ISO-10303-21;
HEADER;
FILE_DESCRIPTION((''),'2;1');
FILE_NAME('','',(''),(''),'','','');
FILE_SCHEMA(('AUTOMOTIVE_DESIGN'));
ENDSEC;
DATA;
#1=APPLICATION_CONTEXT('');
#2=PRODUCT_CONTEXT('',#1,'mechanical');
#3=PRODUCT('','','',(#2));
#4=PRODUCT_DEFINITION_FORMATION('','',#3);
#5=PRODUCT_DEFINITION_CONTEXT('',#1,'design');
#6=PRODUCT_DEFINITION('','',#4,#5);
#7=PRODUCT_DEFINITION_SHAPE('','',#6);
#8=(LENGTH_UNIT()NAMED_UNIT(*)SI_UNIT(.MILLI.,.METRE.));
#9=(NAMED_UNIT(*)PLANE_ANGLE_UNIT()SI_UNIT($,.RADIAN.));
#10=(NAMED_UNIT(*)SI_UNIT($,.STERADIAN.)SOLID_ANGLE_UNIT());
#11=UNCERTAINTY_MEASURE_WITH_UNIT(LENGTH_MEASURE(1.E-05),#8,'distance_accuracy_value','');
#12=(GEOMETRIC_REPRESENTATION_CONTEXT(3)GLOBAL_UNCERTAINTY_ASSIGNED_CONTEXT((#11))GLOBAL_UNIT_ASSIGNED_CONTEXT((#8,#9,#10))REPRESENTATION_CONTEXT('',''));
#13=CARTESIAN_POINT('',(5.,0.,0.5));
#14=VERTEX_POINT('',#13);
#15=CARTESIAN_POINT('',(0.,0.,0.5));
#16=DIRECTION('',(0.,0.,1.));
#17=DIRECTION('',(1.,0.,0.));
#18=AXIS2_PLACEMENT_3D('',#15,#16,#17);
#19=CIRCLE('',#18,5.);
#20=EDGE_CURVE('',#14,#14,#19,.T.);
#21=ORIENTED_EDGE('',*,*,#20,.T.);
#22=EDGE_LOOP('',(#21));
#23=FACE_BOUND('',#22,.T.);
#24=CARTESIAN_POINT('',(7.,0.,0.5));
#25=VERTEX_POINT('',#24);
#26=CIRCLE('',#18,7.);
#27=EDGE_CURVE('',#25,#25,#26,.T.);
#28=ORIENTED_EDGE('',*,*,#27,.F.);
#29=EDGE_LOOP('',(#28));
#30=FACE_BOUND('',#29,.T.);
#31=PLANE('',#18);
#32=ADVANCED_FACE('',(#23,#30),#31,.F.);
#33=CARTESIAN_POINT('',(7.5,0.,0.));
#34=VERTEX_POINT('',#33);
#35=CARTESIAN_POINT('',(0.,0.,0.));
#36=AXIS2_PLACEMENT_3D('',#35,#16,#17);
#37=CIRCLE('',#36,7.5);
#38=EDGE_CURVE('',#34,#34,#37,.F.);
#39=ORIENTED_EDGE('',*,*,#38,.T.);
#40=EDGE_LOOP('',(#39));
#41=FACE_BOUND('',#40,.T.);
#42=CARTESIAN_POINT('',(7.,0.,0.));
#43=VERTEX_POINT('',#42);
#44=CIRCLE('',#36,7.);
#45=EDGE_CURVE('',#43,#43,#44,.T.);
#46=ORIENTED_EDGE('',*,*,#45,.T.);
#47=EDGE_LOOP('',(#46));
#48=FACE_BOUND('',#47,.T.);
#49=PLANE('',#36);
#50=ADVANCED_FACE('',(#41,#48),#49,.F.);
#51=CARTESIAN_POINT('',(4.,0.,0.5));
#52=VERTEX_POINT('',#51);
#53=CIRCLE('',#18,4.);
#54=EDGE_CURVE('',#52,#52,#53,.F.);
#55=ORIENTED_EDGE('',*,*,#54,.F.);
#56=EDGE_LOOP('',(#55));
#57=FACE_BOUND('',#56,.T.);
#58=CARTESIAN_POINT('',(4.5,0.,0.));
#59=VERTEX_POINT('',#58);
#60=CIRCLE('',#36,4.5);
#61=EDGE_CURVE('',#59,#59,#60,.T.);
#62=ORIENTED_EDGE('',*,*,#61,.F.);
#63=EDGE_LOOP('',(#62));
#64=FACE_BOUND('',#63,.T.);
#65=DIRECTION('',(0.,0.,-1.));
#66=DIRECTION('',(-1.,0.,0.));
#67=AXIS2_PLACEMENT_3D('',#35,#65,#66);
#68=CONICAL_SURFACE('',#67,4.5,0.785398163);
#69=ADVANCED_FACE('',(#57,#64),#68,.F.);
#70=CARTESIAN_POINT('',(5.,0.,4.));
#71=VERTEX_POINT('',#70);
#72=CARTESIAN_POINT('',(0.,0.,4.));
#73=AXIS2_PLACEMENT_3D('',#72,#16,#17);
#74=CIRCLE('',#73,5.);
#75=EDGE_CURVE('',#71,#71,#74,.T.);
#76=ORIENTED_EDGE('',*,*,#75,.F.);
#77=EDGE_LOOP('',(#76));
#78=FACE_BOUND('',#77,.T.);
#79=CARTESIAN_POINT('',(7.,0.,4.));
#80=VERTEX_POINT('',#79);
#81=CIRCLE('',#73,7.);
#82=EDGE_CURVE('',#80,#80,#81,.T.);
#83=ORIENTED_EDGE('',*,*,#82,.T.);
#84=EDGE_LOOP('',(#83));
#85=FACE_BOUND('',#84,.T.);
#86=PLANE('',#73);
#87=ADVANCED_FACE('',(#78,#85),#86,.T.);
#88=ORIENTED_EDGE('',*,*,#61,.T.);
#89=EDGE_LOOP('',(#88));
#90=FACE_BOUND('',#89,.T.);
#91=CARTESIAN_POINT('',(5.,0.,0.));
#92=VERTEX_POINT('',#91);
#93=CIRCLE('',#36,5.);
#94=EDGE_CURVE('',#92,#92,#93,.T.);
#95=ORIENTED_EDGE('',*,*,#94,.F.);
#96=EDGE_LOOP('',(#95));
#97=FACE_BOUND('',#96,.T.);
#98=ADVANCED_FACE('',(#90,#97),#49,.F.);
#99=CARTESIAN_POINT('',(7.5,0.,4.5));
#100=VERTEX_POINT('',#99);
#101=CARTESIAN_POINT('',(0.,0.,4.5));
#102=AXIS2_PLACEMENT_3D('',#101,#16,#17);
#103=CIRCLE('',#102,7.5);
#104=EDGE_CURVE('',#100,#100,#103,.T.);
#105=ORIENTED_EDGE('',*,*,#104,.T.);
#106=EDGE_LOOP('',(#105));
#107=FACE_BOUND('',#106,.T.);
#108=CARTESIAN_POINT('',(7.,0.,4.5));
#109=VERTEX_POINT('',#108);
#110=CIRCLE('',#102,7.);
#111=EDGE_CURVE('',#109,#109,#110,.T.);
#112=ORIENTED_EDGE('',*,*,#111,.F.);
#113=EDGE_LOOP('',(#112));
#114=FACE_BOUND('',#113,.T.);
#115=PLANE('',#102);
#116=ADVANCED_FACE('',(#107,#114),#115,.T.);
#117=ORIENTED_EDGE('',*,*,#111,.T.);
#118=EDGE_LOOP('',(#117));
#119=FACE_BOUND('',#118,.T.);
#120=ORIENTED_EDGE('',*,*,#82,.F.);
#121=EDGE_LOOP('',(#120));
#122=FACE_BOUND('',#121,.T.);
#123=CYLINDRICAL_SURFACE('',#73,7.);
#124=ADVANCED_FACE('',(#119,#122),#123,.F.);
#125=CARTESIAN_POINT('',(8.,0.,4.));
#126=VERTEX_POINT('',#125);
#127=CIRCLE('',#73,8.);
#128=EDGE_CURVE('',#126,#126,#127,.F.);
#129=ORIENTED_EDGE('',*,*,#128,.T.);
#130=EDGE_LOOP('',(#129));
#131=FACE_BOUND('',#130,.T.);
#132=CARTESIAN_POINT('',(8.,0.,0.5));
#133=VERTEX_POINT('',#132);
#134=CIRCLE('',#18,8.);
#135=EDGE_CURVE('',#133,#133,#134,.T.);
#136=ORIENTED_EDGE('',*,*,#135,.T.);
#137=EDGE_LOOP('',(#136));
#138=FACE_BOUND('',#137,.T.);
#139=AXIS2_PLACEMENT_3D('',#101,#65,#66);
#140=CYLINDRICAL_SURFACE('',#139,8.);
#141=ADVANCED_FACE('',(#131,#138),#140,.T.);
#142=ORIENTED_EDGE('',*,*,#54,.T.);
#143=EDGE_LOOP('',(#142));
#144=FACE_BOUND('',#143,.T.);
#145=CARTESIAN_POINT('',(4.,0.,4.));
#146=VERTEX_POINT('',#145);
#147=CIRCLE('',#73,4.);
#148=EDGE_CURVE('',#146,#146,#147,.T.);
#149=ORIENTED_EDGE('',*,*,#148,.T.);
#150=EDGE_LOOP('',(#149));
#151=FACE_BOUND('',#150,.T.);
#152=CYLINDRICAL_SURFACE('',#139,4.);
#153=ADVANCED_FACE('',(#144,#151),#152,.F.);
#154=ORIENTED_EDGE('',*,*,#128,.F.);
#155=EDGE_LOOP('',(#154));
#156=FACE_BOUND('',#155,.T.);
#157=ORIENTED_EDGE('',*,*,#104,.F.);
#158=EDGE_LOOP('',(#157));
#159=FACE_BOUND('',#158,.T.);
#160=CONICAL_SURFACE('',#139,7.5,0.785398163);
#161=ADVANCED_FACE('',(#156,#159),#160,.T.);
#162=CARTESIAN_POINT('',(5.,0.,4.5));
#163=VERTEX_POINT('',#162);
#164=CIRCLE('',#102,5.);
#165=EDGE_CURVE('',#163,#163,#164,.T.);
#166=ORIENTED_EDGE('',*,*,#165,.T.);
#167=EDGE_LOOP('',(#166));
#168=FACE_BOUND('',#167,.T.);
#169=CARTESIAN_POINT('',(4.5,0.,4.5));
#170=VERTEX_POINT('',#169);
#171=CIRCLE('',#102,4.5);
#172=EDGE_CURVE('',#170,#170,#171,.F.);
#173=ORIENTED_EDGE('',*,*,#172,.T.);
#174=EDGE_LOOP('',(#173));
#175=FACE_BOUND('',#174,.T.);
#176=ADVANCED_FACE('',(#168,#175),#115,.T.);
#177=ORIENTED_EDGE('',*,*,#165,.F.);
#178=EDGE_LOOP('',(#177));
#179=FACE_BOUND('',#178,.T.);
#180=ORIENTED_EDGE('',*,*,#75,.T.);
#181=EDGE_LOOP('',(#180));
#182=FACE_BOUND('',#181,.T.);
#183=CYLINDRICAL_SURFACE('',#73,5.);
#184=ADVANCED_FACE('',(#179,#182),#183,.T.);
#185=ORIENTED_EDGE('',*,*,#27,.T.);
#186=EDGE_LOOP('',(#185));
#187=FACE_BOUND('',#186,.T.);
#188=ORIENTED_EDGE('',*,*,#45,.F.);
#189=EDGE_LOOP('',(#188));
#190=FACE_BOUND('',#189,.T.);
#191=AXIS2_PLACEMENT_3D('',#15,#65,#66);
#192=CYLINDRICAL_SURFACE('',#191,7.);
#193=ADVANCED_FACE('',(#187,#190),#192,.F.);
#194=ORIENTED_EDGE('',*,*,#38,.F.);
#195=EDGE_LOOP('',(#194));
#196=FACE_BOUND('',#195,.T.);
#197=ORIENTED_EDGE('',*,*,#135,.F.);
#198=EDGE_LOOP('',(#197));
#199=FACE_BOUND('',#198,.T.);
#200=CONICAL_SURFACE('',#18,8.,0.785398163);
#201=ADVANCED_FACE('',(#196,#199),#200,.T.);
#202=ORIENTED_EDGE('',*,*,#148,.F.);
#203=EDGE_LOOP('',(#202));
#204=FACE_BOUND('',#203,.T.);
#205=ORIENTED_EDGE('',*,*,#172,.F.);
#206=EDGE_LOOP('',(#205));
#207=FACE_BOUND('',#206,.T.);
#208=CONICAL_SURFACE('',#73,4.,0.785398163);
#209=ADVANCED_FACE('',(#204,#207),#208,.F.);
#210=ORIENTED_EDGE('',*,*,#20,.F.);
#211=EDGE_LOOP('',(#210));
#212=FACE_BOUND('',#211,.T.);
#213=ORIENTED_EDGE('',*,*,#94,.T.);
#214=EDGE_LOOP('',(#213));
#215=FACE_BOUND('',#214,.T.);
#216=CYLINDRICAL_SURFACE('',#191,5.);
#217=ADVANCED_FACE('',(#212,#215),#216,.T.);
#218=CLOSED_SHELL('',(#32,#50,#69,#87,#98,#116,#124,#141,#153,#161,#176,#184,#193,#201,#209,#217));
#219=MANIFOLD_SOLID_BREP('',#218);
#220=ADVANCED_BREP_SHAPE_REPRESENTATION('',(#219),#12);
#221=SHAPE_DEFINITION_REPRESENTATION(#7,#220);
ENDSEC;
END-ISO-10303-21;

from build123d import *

# Parameters (mm, degrees)
SKETCH1_R           = 8
SKETCH1_R_2         = 4
BOSS_EXTRUDE1_DEPTH = 4.5
CHAMFER1_SIZE       = 0.5
SKETCH2_R           = 7
SKETCH2_R_2         = 5
CUT_EXTRUDE1_DEPTH  = 0.5
SKETCH3_R           = 7
SKETCH3_R_2         = 5
CUT_EXTRUDE2_DEPTH  = 0.5


with BuildPart() as part:
    # Sketch1 → Boss-Extrude1 (new body)
    with BuildSketch(Plane.XY):
        Circle(SKETCH1_R)
        Circle(SKETCH1_R_2, mode=Mode.SUBTRACT)
    extrude(amount=BOSS_EXTRUDE1_DEPTH)

    # Chamfer1
    chamfer1_edges = [part.edges().sort_by_distance(p)[0] for p in [
        (-8, 0, 0),
        (-8, 0, 4.5),
        (-4, 0, 0),
        (-4, 0, 4.5),
    ]]
    chamfer(chamfer1_edges, length=CHAMFER1_SIZE)

    # Sketch2 → Cut-Extrude1 (cut)
    with BuildSketch(Plane.XY):
        Circle(SKETCH2_R)
        Circle(SKETCH2_R_2, mode=Mode.SUBTRACT)
    extrude(amount=CUT_EXTRUDE1_DEPTH, mode=Mode.SUBTRACT)

    # Sketch3 → Cut-Extrude2 (cut)
    with BuildSketch(Plane.XY.offset(4.5)):
        Circle(SKETCH3_R)
        Circle(SKETCH3_R_2, mode=Mode.SUBTRACT)
    extrude(amount=-CUT_EXTRUDE2_DEPTH, mode=Mode.SUBTRACT)


solid = part.part
